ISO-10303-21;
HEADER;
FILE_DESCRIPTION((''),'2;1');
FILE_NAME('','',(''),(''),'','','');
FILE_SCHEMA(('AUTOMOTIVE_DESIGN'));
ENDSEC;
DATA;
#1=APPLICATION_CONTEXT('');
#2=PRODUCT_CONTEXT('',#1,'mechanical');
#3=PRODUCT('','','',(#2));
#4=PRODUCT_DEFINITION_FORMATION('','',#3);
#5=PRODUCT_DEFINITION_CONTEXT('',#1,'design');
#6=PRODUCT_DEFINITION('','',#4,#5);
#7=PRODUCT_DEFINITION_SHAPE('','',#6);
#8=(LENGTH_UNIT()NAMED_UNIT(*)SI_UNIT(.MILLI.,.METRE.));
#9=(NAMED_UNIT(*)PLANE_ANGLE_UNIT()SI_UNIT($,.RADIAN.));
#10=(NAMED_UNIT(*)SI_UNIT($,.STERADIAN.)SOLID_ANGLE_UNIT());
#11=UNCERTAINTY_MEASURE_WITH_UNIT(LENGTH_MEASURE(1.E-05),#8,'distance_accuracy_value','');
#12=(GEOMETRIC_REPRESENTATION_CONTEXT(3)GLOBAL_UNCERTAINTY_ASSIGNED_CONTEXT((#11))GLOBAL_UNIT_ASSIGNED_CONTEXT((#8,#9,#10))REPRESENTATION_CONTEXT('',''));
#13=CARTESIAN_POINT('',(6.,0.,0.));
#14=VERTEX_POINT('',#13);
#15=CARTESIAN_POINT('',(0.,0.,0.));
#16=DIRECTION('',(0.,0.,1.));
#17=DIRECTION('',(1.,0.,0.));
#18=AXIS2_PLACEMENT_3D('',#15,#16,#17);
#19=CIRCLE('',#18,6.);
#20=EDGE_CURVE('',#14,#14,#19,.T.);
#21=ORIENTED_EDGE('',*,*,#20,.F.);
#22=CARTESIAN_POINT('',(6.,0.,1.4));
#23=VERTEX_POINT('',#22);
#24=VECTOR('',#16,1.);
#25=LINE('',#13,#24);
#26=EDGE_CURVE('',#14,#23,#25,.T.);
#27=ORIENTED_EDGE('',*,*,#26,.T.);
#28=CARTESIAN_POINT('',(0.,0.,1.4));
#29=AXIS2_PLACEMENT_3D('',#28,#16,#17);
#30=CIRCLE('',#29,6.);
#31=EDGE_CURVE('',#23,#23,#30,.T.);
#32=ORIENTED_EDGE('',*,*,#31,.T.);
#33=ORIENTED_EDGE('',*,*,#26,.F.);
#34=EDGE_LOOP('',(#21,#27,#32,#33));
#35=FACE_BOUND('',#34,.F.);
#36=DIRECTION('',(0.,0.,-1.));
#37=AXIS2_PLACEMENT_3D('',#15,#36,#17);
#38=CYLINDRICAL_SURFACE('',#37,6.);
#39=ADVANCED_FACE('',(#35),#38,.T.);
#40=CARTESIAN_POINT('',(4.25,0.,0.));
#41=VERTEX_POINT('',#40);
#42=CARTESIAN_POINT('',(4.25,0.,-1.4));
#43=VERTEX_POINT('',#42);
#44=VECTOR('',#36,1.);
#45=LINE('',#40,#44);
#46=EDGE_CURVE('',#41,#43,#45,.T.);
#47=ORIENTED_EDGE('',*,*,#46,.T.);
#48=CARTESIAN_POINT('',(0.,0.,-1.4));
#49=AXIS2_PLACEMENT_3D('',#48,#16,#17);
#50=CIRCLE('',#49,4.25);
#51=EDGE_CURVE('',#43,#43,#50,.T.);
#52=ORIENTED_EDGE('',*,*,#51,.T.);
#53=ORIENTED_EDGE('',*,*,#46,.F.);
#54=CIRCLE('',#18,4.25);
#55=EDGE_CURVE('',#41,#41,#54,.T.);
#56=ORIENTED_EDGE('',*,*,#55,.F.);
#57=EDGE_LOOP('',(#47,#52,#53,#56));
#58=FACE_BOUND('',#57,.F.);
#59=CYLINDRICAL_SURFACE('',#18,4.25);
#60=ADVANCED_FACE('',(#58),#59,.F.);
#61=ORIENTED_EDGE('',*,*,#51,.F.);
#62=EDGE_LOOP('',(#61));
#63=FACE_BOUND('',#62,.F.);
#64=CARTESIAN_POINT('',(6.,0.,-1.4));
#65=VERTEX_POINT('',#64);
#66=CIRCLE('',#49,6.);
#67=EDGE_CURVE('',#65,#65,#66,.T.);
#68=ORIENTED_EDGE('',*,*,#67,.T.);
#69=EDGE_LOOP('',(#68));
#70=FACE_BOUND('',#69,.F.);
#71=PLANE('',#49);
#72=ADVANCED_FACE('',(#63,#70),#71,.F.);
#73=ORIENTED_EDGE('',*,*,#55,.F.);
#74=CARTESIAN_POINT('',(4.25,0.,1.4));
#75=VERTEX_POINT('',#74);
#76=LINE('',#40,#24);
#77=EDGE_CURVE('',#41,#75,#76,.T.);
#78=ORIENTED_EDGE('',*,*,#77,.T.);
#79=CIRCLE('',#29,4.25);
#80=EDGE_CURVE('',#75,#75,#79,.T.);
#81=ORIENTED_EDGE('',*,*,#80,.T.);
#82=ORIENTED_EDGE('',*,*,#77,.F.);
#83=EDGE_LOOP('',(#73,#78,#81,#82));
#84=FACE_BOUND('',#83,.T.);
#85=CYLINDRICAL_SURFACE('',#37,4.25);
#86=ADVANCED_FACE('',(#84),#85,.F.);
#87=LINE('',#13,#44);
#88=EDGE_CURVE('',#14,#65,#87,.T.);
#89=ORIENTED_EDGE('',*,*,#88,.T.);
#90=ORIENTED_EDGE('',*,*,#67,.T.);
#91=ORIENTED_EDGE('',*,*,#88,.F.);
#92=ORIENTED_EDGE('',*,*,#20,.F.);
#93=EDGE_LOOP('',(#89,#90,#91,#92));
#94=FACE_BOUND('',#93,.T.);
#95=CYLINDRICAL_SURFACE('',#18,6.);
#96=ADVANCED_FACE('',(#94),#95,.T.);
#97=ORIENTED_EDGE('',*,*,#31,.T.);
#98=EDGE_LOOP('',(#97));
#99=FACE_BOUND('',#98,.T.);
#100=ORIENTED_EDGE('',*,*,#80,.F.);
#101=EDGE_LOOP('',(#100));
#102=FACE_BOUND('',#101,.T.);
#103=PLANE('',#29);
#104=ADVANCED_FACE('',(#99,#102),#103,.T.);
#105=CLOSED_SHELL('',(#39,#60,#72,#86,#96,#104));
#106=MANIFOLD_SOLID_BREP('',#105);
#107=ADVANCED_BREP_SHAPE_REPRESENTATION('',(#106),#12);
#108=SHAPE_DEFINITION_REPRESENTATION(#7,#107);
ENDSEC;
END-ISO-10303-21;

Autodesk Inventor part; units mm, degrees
ref_plane "YZ Plane" through (0, 0, 0) normal (1, 0, 0) x (0, 1, 0)
ref_plane "XZ Plane" through (0, 0, 0) normal (0, 1, 0) x (-1, 0, 0)
ref_plane "XY Plane" through (0, 0, 0) normal (0, 0, 1) x (1, 0, 0)
sketch "スケッチ1" plane through (0, 0, 0) normal (0, 0, 1) x (1, 0, 0)
  circle A0 centre (0, 0) radius 4.25
  circle A1 centre (0, 0) radius 6
  dimension "d0" = 8.5
  dimension "d1" = 12
extrude "押し出し1" add sketch "スケッチ1" along normal mid plane 2.8
properties part number "base47" material "ABS プラスチック"
